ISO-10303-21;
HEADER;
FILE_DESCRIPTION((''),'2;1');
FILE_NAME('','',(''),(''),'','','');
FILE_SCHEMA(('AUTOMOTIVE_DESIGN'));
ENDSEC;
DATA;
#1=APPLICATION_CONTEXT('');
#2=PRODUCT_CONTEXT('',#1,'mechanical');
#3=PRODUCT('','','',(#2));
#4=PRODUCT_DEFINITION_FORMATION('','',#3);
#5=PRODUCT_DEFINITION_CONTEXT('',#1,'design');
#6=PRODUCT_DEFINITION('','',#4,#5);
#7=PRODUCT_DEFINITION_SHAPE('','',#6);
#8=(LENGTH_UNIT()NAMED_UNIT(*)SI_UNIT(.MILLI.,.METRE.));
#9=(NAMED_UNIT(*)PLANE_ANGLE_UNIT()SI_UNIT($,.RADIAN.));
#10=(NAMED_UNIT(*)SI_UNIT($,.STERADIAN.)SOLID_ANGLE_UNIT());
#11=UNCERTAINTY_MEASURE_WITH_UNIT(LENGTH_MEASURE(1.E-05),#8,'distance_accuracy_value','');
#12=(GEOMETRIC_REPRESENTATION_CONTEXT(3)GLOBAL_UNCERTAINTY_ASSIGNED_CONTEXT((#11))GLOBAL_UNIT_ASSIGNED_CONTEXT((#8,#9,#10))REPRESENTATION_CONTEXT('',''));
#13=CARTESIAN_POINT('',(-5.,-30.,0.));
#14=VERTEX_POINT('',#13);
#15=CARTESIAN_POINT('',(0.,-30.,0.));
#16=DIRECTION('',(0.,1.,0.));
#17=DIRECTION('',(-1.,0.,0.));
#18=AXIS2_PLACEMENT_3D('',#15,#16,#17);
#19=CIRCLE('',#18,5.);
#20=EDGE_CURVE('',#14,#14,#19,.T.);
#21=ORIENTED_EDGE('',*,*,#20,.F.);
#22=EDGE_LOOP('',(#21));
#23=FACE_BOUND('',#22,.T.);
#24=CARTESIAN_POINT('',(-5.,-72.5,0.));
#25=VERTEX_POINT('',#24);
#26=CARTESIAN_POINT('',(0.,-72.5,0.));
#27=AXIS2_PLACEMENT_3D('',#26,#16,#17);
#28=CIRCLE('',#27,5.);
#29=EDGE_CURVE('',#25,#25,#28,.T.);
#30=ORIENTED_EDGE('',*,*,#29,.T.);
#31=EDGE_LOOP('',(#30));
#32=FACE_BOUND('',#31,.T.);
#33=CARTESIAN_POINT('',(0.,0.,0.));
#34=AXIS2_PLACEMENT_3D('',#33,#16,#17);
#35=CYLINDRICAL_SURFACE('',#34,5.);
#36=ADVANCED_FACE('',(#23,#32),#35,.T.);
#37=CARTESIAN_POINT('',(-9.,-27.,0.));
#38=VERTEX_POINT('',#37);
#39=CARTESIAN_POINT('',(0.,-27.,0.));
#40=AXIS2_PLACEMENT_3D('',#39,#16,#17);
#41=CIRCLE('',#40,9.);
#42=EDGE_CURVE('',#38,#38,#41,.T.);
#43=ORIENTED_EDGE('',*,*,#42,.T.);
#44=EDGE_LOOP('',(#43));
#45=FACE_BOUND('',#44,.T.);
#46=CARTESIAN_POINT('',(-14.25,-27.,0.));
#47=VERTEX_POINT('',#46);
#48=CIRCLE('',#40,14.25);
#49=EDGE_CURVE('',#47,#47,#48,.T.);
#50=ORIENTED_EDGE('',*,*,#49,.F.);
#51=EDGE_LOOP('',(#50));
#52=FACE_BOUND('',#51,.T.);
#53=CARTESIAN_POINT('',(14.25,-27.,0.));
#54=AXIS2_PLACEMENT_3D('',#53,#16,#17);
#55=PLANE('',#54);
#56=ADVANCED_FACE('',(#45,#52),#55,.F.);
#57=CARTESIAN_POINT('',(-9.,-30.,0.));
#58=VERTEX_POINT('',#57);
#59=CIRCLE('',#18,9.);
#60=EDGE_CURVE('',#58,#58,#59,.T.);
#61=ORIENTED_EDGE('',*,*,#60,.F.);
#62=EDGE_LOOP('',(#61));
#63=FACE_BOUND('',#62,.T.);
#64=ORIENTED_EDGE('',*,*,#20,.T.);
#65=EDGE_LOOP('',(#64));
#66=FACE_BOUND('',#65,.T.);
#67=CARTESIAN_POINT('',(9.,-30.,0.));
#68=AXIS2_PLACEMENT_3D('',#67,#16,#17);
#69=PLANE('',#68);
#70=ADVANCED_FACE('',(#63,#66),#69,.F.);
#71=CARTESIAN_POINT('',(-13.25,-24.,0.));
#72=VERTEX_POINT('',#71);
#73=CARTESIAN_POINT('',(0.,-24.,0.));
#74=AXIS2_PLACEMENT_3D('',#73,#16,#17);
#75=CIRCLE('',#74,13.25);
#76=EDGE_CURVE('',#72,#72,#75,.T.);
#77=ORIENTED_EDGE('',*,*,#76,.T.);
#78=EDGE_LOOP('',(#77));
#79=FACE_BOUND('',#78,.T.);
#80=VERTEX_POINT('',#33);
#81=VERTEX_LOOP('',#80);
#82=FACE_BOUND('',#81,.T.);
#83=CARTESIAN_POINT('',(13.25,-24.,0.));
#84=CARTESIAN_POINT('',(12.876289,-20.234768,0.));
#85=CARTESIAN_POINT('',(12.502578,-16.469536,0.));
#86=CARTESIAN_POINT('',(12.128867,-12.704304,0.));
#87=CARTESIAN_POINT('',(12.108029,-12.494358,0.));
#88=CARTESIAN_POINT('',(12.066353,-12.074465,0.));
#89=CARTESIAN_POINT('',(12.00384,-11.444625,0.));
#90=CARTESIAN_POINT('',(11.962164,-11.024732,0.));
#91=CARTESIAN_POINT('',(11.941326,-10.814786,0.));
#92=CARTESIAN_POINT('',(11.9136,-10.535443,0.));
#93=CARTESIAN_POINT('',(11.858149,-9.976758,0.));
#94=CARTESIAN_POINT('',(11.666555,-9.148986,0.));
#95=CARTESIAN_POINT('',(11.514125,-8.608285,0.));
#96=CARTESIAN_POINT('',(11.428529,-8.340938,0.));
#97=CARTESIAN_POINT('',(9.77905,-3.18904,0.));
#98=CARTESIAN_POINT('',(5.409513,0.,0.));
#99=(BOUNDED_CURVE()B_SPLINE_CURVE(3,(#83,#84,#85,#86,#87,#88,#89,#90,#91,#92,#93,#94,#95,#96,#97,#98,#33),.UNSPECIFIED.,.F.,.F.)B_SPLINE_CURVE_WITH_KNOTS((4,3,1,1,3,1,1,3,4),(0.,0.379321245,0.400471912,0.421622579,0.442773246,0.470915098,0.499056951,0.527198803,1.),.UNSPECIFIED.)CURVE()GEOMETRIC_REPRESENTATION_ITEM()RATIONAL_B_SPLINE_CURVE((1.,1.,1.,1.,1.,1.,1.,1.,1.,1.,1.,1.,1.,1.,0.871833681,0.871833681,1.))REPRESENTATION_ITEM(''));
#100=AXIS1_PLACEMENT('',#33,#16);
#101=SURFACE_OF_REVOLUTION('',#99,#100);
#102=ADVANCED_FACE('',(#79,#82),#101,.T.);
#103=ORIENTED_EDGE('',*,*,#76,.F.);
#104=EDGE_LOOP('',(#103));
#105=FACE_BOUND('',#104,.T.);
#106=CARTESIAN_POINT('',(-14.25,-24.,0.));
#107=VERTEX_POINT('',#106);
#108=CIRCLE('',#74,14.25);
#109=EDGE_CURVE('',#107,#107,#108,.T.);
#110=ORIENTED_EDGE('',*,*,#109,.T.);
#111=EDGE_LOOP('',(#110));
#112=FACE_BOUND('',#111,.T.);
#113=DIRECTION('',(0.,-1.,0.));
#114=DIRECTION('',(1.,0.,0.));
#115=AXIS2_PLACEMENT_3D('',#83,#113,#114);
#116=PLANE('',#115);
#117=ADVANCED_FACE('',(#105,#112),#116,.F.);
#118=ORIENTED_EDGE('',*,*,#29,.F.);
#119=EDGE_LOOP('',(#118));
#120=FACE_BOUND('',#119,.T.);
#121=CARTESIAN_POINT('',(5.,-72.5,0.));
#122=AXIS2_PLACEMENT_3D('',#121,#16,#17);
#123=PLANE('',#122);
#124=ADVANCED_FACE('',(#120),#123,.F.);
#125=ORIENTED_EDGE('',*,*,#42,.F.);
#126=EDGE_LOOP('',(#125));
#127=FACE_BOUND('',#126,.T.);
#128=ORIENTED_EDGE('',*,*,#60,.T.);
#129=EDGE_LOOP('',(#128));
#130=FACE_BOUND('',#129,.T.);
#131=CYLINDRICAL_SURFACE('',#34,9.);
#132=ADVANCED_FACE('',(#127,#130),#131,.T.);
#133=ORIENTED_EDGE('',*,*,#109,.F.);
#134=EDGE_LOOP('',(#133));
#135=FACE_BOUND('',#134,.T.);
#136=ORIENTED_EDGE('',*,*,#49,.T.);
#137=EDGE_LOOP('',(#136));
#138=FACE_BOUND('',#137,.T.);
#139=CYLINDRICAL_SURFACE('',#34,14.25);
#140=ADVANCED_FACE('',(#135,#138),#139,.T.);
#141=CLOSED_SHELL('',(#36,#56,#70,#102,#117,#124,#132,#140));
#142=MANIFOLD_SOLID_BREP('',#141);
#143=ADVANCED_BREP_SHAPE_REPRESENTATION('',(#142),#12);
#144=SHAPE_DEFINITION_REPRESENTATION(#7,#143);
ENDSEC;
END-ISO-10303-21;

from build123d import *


with BuildPart() as part:
    # Sketch1 → Revolve1 (revolve)
    with BuildSketch(Plane.XY, mode=Mode.PRIVATE) as revolve1_sk:
        with BuildLine():
            Line((0, 0), (0, -72.5))
            Line((0, -72.5), (5, -72.5))
            Line((5, -72.5), (5, -30))
            Line((5, -30), (9, -30))
            Line((9, -30), (9, -27))
            Line((9, -27), (14.25, -27))
            Line((14.25, -27), (14.25, -24))
            Line((14.25, -24), (13.25, -24))
            add(Edge.make_bspline(
                [(13.25, -24), (12.876288893, -20.234768096), (12.502577786, -16.469536192), (12.12886668, -12.704304288), (12.10802883, -12.494357794), (12.06635313, -12.074464806), (12.003839581, -11.444625323), (11.962163881, -11.024732334), (11.941326032, -10.81478584), (11.913600396, -10.535443194), (11.858149124, -9.976757903), (11.666555139, -9.148985732), (11.514124842, -8.608285073), (11.428528654, -8.340938262), (9.779050122, -3.189040311), (5.409513095, 0), (0, 0)],
                knots=[0, 0, 0, 0, 0.379321245, 0.379321245, 0.379321245, 0.400471912, 0.421622579, 0.442773246, 0.442773246, 0.442773246, 0.470915098, 0.499056951, 0.527198803, 0.527198803, 0.527198803, 1, 1, 1, 1], degree=3, weights=[1, 1, 1, 1, 1, 1, 1, 1, 1, 1, 1, 1, 1, 1, 0.871833681, 0.871833681, 1]))
        make_face()
    revolve(revolve1_sk.sketch.rotate(Axis((0, 0, 0), (0, -1, 0)), 180), axis=Axis((0, 0, 0), (0, -1, 0)))


solid = part.part
